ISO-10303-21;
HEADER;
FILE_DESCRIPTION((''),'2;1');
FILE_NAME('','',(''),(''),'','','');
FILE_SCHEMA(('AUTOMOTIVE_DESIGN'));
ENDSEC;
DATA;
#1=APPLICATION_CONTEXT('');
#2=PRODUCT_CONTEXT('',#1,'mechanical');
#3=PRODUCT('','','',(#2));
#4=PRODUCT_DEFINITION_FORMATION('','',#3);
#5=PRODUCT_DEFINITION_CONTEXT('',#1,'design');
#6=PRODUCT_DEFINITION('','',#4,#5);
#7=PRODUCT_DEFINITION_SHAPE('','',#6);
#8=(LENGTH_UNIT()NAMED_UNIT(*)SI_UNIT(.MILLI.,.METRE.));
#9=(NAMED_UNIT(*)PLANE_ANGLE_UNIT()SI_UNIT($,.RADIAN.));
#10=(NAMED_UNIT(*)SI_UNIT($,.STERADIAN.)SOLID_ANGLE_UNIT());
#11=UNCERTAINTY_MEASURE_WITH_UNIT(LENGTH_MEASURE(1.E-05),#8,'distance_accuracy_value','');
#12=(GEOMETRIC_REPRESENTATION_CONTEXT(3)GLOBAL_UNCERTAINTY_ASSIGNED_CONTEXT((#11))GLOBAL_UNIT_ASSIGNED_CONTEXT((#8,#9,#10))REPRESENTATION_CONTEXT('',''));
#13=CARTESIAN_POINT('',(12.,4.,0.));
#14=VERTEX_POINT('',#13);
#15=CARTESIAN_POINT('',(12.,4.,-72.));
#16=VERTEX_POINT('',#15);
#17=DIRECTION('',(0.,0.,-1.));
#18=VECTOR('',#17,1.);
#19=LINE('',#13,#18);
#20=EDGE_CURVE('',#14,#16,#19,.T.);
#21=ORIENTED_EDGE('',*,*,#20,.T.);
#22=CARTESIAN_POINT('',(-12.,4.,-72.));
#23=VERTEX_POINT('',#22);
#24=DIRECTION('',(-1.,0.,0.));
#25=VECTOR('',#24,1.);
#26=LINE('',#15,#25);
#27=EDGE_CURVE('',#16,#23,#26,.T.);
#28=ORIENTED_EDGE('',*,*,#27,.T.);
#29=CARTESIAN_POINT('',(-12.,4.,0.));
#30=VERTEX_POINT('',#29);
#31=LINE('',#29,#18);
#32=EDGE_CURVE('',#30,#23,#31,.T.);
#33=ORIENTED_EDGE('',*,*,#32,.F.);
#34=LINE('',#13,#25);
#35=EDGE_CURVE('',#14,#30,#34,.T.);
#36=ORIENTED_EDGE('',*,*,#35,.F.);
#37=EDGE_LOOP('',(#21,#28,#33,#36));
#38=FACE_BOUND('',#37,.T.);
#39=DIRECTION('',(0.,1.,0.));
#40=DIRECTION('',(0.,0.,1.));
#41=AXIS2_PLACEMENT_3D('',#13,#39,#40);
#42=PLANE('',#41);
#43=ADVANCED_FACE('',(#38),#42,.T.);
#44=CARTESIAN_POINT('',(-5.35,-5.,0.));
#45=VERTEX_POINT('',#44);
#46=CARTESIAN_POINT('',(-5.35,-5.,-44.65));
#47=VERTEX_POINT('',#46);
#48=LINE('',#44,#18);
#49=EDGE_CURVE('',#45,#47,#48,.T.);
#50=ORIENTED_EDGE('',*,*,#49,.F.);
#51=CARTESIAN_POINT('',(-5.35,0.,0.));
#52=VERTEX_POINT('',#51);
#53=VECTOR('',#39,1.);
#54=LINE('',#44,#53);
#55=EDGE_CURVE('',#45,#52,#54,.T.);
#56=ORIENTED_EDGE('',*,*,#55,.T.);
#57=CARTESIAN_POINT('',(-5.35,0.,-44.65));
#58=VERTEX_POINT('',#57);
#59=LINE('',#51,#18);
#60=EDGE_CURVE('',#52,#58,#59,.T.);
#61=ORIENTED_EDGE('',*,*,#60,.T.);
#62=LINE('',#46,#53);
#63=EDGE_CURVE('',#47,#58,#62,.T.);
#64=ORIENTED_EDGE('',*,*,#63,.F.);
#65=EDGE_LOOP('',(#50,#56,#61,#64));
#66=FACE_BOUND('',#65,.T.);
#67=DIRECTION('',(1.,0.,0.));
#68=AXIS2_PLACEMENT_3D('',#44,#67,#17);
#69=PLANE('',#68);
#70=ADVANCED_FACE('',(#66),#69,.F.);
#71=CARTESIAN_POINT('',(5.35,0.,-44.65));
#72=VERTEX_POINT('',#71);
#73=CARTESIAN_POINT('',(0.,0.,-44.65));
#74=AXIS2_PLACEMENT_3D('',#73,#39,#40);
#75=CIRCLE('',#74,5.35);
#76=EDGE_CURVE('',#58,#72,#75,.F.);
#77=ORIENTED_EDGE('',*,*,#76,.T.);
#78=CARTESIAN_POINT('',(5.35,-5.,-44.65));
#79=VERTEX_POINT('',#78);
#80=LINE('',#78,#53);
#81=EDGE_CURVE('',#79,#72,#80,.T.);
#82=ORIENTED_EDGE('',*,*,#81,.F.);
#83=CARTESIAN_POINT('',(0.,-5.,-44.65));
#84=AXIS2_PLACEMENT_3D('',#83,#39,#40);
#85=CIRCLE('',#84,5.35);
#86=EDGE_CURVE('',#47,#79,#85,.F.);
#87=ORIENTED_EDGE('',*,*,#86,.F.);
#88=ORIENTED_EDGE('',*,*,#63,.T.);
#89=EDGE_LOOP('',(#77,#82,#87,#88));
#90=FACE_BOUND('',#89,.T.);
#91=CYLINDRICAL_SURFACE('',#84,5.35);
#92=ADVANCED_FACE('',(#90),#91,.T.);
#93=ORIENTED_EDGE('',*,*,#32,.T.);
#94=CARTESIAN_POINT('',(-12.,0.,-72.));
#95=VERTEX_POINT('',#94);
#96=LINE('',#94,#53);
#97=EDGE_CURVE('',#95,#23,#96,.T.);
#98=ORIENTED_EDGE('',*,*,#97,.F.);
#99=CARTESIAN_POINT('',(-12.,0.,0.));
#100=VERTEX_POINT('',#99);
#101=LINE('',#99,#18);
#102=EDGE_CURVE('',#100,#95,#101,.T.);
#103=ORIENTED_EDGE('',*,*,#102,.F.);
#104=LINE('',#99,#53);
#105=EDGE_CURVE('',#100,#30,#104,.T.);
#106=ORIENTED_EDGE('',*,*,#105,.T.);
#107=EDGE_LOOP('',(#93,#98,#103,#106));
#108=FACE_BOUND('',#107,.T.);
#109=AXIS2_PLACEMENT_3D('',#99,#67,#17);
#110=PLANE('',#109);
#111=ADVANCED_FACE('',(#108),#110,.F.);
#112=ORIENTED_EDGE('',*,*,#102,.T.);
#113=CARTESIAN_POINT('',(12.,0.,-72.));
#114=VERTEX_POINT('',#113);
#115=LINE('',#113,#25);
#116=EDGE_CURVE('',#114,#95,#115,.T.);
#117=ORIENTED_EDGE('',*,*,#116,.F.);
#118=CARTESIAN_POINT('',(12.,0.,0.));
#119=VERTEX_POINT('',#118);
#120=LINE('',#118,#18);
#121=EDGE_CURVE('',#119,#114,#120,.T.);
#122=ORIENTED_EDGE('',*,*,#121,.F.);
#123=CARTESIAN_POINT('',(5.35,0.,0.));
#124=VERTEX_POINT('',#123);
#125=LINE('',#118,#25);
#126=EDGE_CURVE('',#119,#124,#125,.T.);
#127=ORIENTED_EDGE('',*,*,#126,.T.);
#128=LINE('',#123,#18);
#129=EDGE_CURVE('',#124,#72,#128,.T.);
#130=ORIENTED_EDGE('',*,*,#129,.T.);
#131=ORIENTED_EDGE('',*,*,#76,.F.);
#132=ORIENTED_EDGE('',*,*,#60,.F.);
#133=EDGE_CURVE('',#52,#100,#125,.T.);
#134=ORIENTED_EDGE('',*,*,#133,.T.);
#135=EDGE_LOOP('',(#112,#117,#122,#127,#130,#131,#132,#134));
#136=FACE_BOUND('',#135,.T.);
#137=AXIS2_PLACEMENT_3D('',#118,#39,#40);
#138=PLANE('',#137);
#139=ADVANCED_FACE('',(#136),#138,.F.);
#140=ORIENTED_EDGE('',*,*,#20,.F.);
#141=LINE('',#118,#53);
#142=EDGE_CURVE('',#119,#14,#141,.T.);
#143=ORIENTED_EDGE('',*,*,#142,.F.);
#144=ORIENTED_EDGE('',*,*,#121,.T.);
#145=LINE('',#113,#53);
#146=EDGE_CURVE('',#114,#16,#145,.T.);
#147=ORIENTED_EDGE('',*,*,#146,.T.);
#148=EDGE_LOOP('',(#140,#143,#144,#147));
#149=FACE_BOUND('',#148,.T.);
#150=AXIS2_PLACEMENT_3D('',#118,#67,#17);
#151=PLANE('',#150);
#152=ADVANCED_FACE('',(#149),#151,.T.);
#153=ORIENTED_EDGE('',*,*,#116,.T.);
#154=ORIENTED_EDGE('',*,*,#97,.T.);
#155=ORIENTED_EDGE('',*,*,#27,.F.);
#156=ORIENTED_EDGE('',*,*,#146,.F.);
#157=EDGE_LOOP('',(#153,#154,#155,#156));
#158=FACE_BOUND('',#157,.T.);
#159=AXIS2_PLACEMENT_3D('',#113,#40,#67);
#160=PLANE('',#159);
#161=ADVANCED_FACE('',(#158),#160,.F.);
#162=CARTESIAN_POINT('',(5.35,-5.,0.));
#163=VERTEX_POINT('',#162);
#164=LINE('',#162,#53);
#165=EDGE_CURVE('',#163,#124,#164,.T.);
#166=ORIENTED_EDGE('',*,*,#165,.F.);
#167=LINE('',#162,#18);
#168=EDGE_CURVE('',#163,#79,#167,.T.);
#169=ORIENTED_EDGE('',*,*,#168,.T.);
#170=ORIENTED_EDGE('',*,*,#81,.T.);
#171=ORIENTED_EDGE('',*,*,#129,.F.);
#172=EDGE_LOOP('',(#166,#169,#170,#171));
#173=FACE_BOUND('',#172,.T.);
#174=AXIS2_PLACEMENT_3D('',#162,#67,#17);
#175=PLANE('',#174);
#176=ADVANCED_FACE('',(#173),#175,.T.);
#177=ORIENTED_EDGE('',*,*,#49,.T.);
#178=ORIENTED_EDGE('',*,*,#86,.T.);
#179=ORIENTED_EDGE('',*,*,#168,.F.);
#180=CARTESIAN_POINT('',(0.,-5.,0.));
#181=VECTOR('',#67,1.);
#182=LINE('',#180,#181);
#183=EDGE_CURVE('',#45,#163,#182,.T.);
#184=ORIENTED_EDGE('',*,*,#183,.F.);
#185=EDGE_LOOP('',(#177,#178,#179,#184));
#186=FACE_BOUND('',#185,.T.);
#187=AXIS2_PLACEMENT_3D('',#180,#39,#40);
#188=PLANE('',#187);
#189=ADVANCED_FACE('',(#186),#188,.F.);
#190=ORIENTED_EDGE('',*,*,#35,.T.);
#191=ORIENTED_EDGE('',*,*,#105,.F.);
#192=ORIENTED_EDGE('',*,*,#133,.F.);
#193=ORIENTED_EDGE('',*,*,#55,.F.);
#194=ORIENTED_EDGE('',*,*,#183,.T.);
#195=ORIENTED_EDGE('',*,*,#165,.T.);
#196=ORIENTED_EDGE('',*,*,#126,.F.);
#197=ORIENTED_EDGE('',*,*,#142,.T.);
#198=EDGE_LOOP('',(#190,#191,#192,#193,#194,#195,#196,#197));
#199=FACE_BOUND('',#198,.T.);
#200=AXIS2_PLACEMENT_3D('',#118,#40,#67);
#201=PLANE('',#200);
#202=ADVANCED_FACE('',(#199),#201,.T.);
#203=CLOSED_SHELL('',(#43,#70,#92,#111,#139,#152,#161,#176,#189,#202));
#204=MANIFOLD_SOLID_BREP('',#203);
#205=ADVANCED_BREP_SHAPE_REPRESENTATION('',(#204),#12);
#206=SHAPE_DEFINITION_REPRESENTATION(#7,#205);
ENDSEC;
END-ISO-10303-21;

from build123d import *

# Parameters (mm, degrees)
SKETCH1_W           = 72
SKETCH1_H           = 4
BOSS_EXTRUDE1_DEPTH = 12
BOSS_EXTRUDE2_DEPTH = 5


with BuildPart() as part:
    # Sketch1 → Boss-Extrude1 (new, symmetric)
    with BuildSketch(Plane(origin=(0, 0, 0), x_dir=(0, 0, -1), z_dir=(1, 0, 0))):
        with Locations((36, 2)):
            Rectangle(SKETCH1_W, SKETCH1_H)
    extrude(amount=BOSS_EXTRUDE1_DEPTH, both=True)

    # Sketch2 → Boss-Extrude2 (add)
    with BuildSketch(Plane(origin=(0, 0, 0), x_dir=(1, 0, 0), z_dir=(0, 1, 0))):
        with BuildLine():
            Line((-5.35, 44.65), (-5.35, 0))
            Line((-5.35, 0), (5.35, 0))
            Line((5.35, 0), (5.35, 44.65))
            ThreePointArc((5.35, 44.65), (0, 50), (-5.35, 44.65))
        make_face()
    extrude(amount=-BOSS_EXTRUDE2_DEPTH)


solid = part.part
